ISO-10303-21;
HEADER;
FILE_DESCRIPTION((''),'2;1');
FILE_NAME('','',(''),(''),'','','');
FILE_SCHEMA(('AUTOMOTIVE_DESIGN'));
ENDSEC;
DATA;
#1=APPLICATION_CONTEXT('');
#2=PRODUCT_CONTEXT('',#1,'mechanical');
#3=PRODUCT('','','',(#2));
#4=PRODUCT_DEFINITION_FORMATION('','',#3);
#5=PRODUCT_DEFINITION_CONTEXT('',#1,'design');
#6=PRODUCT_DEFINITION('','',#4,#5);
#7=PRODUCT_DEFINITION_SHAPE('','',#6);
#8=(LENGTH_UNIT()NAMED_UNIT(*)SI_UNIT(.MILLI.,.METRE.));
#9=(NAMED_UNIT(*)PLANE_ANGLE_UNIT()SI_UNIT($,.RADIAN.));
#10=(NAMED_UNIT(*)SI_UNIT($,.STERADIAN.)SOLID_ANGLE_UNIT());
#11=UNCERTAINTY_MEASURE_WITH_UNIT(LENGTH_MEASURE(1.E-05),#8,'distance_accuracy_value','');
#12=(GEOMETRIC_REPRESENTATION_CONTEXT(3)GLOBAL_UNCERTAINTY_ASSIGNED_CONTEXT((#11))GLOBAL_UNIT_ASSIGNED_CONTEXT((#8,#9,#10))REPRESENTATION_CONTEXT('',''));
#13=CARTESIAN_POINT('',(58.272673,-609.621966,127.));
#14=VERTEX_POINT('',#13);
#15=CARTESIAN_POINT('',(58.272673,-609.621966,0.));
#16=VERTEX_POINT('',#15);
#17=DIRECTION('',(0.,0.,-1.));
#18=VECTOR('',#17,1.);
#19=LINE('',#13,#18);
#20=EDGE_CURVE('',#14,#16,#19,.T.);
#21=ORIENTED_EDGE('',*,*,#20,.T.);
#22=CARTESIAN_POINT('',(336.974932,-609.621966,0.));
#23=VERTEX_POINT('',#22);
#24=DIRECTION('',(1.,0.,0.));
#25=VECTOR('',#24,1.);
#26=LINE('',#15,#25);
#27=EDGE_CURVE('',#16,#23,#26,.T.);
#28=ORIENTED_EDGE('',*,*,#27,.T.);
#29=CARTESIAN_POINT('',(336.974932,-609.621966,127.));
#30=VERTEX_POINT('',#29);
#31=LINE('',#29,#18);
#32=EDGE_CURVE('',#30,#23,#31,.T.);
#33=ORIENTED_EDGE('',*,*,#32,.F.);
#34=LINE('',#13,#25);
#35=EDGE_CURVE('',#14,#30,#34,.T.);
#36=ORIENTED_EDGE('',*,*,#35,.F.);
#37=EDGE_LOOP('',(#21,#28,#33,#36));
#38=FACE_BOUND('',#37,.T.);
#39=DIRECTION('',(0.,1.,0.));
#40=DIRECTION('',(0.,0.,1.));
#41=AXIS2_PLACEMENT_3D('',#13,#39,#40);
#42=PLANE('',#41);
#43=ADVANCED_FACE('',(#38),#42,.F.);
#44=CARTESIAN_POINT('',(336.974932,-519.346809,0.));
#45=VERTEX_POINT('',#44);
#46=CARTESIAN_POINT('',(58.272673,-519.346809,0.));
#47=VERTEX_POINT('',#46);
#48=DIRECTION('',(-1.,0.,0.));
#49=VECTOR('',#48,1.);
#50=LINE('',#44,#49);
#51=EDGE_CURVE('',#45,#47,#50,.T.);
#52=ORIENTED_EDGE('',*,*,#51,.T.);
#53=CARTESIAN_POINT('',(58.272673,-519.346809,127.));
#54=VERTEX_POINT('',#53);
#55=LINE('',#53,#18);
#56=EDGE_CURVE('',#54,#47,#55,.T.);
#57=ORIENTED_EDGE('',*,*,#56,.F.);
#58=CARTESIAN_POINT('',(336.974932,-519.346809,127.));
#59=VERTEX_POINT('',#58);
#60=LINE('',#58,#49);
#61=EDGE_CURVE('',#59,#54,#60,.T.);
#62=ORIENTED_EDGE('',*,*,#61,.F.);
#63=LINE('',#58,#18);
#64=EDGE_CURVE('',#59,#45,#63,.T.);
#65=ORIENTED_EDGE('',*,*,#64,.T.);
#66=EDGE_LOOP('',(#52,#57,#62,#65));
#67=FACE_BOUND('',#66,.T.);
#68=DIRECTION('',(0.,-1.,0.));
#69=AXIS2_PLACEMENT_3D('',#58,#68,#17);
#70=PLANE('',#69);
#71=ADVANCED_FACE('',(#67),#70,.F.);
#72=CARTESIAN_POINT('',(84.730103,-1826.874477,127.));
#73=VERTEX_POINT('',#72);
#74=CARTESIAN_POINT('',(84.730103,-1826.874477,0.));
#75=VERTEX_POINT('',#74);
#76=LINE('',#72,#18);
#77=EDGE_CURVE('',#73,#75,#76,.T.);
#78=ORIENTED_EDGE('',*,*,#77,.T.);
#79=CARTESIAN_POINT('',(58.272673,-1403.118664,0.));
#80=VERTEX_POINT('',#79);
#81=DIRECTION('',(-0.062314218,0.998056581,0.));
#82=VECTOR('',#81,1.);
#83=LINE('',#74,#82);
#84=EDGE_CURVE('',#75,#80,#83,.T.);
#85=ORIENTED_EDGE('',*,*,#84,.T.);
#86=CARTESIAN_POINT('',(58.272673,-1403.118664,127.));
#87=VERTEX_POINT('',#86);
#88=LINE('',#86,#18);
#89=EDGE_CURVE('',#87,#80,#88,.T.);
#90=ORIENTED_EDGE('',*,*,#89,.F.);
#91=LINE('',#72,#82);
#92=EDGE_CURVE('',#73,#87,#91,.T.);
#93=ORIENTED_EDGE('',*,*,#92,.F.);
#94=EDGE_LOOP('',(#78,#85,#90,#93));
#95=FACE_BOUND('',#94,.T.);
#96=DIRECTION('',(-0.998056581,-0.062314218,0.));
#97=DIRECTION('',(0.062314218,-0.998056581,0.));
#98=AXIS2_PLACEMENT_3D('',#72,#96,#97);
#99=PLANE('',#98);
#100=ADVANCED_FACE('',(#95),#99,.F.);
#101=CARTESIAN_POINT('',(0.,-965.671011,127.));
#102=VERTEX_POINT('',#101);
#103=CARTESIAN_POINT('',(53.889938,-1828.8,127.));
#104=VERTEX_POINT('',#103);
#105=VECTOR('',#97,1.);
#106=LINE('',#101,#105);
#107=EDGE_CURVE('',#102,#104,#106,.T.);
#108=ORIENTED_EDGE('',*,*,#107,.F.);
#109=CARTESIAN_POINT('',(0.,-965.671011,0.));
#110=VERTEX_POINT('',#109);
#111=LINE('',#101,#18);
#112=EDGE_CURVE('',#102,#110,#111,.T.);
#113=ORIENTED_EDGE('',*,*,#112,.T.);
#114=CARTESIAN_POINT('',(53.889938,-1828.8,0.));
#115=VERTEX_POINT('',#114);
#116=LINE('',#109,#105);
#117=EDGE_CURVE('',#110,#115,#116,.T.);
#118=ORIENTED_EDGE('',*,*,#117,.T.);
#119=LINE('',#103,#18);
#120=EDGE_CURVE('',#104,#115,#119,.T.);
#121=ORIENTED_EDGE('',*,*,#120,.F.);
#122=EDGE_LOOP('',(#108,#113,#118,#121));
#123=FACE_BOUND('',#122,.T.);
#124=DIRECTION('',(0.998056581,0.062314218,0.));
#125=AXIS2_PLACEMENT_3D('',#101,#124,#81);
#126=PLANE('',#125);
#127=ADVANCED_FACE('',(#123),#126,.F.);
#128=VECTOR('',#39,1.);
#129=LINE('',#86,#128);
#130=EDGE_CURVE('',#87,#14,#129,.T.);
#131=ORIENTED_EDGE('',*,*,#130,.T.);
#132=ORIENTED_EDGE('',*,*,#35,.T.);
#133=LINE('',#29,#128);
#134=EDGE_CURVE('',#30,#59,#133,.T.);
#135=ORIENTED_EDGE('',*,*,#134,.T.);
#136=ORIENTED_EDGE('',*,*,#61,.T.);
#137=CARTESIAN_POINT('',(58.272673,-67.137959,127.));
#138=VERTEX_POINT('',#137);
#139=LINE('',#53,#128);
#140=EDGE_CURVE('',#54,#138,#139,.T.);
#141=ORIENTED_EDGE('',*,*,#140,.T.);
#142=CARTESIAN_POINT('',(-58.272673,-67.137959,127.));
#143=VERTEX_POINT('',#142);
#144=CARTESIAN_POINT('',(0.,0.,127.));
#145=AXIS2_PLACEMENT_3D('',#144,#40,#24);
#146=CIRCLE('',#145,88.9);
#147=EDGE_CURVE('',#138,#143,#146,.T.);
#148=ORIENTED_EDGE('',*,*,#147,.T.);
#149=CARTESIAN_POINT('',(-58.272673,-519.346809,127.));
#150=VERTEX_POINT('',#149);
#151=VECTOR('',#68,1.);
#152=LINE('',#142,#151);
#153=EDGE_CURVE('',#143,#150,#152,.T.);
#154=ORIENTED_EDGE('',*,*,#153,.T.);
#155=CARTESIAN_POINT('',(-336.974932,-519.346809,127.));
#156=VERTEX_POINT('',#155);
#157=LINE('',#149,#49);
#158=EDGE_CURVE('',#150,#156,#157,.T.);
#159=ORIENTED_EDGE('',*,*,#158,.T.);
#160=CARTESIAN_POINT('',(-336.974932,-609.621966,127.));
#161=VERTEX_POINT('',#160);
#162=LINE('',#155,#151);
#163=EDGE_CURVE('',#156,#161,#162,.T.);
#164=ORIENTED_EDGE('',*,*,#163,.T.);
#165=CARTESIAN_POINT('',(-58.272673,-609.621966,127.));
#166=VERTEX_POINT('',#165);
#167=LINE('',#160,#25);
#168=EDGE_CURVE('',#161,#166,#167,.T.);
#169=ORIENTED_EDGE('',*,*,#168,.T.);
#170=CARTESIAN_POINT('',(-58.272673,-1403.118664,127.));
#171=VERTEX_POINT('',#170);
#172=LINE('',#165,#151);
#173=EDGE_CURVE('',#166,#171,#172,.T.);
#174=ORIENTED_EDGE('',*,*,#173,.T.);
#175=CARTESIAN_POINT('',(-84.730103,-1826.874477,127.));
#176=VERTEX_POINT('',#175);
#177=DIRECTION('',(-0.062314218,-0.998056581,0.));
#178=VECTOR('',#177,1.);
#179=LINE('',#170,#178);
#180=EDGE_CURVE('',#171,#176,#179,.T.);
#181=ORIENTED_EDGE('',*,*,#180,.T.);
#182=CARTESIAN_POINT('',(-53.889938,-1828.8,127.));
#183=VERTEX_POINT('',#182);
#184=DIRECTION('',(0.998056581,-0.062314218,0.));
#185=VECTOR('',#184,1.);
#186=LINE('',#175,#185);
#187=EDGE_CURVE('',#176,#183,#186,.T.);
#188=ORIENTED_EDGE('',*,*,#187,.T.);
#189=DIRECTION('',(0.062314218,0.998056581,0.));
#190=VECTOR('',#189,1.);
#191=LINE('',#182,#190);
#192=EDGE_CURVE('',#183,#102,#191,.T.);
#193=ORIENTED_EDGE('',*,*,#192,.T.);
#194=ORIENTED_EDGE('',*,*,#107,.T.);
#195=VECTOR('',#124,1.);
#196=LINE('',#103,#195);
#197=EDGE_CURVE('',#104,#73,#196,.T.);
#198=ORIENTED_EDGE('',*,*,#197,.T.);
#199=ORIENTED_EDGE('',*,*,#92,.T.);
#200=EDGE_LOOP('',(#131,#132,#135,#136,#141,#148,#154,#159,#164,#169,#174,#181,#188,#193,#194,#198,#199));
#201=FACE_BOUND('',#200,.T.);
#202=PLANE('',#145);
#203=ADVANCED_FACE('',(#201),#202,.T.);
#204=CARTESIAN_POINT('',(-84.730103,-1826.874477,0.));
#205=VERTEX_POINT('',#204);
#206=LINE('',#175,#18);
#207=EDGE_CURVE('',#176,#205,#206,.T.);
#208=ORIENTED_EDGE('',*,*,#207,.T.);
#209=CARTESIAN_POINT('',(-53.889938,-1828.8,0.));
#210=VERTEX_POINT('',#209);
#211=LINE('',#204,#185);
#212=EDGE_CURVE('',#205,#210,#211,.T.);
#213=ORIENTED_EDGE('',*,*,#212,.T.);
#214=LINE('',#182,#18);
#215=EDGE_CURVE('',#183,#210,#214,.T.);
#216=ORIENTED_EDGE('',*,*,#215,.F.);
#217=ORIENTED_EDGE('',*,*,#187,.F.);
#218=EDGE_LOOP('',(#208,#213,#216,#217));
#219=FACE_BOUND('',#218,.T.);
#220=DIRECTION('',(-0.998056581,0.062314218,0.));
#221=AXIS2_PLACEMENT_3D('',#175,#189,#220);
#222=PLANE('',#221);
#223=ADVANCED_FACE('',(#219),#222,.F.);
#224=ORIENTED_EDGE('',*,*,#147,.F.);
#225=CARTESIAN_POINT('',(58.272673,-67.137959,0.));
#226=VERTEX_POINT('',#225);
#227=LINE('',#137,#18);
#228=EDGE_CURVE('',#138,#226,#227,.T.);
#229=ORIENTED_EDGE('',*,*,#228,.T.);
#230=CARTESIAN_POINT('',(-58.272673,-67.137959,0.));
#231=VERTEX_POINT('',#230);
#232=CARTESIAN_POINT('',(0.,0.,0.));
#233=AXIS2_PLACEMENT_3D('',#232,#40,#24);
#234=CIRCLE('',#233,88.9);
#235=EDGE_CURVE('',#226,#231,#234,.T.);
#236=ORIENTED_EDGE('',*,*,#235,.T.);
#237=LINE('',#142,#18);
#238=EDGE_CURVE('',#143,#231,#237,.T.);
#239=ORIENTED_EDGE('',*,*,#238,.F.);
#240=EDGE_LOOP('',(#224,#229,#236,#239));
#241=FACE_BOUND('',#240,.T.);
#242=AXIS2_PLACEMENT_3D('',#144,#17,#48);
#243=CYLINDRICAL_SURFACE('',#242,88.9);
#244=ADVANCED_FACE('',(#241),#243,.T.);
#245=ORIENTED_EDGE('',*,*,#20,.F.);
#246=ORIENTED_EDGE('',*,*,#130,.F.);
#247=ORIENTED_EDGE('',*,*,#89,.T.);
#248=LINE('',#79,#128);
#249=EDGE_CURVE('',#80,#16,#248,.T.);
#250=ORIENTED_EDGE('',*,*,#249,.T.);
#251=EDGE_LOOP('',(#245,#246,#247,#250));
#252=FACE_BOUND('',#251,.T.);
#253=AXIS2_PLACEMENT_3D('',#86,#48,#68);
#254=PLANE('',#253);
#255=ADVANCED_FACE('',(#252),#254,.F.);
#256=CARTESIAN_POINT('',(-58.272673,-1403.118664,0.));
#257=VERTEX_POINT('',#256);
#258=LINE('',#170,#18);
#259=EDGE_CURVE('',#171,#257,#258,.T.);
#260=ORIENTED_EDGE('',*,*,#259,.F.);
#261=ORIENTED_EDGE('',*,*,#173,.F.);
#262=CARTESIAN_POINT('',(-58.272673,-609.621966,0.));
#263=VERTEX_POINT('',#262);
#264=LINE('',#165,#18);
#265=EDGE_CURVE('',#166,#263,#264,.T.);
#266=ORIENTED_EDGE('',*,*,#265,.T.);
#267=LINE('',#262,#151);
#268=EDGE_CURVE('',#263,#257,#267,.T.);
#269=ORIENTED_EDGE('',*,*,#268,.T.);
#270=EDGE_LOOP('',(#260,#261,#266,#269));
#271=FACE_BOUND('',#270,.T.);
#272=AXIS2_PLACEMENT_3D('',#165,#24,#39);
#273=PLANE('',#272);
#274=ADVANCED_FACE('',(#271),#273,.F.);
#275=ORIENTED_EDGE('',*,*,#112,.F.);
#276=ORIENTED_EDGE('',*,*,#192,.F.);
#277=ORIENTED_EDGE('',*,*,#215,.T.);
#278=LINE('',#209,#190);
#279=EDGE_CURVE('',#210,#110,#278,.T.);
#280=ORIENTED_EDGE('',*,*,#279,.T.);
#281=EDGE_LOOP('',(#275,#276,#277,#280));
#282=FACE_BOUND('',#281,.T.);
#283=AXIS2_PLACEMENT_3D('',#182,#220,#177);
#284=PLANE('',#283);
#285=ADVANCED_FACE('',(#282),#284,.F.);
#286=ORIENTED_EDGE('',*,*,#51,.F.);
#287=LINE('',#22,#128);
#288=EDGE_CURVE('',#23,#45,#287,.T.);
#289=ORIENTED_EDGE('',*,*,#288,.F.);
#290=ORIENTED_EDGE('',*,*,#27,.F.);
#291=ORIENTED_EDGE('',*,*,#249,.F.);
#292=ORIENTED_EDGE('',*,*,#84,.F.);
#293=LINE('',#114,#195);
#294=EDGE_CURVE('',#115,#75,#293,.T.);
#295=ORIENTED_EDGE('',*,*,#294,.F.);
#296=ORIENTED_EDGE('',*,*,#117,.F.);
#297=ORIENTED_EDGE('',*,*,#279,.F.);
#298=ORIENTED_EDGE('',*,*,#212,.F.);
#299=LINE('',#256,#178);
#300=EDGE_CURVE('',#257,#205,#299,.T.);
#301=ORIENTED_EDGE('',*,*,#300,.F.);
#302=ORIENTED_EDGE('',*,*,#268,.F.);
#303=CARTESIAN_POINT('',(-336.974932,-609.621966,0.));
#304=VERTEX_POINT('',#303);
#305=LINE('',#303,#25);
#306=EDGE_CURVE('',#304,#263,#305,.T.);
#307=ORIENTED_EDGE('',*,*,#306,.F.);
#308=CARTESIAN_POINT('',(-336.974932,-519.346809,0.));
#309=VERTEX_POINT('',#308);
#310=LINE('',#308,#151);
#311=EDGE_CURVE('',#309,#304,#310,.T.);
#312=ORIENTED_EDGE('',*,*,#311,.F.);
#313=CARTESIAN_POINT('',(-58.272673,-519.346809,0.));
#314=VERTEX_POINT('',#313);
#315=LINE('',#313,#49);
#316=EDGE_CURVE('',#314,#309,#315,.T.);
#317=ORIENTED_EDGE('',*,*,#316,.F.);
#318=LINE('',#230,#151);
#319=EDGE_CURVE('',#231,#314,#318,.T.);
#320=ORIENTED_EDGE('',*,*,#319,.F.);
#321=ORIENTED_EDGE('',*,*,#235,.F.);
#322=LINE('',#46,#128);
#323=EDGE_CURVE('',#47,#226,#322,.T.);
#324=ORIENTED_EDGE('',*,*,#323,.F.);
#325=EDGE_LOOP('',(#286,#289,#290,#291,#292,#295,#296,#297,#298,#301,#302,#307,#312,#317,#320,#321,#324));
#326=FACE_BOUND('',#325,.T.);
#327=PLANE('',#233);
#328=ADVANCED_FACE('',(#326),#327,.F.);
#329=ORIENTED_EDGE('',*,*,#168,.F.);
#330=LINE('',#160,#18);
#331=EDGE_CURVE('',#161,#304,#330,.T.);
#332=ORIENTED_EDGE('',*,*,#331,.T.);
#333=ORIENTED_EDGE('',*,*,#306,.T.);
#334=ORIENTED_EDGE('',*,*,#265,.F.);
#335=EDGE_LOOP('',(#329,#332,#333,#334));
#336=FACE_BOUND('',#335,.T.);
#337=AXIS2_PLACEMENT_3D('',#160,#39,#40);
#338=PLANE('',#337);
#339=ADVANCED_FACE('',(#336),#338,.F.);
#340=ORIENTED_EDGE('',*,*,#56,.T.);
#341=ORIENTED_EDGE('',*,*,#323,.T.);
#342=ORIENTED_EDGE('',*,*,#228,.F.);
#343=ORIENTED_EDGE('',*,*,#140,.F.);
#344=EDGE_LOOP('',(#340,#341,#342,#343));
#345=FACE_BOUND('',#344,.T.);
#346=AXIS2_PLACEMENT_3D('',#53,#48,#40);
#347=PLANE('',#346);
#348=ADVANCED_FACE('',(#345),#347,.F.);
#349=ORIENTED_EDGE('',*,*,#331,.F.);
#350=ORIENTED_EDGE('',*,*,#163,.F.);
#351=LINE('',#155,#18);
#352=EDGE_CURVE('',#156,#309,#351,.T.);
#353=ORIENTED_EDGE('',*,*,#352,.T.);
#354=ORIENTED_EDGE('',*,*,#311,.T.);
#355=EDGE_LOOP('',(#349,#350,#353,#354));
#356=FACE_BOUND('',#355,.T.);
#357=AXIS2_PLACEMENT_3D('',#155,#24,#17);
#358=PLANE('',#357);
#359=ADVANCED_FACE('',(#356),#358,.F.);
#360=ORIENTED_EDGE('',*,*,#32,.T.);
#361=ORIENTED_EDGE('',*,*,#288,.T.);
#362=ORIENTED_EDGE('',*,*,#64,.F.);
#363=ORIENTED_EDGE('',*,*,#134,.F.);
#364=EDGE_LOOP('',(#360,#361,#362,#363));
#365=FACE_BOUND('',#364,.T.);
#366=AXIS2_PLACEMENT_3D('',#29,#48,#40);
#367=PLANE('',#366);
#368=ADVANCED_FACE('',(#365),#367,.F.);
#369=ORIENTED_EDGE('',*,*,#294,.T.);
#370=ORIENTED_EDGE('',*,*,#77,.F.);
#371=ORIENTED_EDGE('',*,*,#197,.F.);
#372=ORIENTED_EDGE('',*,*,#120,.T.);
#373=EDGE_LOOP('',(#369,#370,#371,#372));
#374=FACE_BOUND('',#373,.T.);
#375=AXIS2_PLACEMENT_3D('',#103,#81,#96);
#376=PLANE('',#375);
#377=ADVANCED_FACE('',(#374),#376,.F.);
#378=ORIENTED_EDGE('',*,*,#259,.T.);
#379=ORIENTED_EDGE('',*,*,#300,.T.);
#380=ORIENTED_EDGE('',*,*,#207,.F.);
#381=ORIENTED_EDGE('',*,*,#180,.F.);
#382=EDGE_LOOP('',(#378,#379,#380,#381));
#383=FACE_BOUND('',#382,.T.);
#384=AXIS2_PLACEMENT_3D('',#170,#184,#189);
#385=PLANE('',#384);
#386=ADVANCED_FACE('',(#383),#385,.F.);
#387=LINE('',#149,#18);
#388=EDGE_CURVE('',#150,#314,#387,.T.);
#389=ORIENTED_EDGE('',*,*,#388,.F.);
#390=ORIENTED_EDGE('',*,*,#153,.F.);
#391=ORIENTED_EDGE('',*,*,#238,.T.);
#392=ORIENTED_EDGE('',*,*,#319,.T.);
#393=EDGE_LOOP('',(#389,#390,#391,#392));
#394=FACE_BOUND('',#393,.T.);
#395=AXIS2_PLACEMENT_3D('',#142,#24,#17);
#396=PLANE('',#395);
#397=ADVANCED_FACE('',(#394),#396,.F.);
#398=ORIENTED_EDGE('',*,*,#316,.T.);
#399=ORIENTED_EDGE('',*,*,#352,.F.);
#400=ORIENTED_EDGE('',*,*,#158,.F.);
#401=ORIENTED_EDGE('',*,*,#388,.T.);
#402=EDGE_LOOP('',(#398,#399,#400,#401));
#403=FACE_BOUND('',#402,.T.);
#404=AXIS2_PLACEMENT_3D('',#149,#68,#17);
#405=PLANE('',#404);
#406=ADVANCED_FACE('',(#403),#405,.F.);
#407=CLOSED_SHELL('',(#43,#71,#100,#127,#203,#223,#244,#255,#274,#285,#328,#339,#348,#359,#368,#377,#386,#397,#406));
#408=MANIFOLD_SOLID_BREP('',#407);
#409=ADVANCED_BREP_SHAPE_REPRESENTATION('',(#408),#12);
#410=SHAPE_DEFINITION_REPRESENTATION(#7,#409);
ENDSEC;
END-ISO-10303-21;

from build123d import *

# Parameters (mm, degrees)
BOSS_EXTRUDE2_DEPTH = 127


with BuildPart() as part:
    # Sketch1 → Boss-Extrude2 (new body)
    with BuildSketch(Plane.XY):
        with BuildLine():
            Line((-58.272673139, -67.137959198), (-58.272673139, -519.346809046))
            Line((-58.272673139, -519.346809046), (-336.974932069, -519.346809046))
            Line((-336.974932069, -519.346809046), (-336.974932069, -609.62196559))
            Line((-336.974932069, -609.62196559), (-58.272673139, -609.62196559))
            Line((-58.272673139, -609.62196559), (-58.272673139, -1403.11866405))
            Line((-58.272673139, -1403.11866405), (-84.73010294, -1826.874477175))
            Line((-84.73010294, -1826.874477175), (-53.889938316, -1828.8))
            Line((-53.889938316, -1828.8), (0, -965.671011219))
            Line((0, -965.671011219), (53.889938316, -1828.8))
            Line((53.889938316, -1828.8), (84.73010294, -1826.874477175))
            Line((84.73010294, -1826.874477175), (58.272673139, -1403.11866405))
            Line((58.272673139, -1403.11866405), (58.272673139, -609.62196559))
            Line((58.272673139, -609.62196559), (336.974932069, -609.62196559))
            Line((336.974932069, -609.62196559), (336.974932069, -519.346809046))
            Line((336.974932069, -519.346809046), (58.272673139, -519.346809046))
            Line((58.272673139, -519.346809046), (58.272673139, -67.137959198))
            ThreePointArc((58.272673139, -67.137959198), (0, 88.9), (-58.272673139, -67.137959198))
        make_face()
    extrude(amount=BOSS_EXTRUDE2_DEPTH)


solid = part.part
